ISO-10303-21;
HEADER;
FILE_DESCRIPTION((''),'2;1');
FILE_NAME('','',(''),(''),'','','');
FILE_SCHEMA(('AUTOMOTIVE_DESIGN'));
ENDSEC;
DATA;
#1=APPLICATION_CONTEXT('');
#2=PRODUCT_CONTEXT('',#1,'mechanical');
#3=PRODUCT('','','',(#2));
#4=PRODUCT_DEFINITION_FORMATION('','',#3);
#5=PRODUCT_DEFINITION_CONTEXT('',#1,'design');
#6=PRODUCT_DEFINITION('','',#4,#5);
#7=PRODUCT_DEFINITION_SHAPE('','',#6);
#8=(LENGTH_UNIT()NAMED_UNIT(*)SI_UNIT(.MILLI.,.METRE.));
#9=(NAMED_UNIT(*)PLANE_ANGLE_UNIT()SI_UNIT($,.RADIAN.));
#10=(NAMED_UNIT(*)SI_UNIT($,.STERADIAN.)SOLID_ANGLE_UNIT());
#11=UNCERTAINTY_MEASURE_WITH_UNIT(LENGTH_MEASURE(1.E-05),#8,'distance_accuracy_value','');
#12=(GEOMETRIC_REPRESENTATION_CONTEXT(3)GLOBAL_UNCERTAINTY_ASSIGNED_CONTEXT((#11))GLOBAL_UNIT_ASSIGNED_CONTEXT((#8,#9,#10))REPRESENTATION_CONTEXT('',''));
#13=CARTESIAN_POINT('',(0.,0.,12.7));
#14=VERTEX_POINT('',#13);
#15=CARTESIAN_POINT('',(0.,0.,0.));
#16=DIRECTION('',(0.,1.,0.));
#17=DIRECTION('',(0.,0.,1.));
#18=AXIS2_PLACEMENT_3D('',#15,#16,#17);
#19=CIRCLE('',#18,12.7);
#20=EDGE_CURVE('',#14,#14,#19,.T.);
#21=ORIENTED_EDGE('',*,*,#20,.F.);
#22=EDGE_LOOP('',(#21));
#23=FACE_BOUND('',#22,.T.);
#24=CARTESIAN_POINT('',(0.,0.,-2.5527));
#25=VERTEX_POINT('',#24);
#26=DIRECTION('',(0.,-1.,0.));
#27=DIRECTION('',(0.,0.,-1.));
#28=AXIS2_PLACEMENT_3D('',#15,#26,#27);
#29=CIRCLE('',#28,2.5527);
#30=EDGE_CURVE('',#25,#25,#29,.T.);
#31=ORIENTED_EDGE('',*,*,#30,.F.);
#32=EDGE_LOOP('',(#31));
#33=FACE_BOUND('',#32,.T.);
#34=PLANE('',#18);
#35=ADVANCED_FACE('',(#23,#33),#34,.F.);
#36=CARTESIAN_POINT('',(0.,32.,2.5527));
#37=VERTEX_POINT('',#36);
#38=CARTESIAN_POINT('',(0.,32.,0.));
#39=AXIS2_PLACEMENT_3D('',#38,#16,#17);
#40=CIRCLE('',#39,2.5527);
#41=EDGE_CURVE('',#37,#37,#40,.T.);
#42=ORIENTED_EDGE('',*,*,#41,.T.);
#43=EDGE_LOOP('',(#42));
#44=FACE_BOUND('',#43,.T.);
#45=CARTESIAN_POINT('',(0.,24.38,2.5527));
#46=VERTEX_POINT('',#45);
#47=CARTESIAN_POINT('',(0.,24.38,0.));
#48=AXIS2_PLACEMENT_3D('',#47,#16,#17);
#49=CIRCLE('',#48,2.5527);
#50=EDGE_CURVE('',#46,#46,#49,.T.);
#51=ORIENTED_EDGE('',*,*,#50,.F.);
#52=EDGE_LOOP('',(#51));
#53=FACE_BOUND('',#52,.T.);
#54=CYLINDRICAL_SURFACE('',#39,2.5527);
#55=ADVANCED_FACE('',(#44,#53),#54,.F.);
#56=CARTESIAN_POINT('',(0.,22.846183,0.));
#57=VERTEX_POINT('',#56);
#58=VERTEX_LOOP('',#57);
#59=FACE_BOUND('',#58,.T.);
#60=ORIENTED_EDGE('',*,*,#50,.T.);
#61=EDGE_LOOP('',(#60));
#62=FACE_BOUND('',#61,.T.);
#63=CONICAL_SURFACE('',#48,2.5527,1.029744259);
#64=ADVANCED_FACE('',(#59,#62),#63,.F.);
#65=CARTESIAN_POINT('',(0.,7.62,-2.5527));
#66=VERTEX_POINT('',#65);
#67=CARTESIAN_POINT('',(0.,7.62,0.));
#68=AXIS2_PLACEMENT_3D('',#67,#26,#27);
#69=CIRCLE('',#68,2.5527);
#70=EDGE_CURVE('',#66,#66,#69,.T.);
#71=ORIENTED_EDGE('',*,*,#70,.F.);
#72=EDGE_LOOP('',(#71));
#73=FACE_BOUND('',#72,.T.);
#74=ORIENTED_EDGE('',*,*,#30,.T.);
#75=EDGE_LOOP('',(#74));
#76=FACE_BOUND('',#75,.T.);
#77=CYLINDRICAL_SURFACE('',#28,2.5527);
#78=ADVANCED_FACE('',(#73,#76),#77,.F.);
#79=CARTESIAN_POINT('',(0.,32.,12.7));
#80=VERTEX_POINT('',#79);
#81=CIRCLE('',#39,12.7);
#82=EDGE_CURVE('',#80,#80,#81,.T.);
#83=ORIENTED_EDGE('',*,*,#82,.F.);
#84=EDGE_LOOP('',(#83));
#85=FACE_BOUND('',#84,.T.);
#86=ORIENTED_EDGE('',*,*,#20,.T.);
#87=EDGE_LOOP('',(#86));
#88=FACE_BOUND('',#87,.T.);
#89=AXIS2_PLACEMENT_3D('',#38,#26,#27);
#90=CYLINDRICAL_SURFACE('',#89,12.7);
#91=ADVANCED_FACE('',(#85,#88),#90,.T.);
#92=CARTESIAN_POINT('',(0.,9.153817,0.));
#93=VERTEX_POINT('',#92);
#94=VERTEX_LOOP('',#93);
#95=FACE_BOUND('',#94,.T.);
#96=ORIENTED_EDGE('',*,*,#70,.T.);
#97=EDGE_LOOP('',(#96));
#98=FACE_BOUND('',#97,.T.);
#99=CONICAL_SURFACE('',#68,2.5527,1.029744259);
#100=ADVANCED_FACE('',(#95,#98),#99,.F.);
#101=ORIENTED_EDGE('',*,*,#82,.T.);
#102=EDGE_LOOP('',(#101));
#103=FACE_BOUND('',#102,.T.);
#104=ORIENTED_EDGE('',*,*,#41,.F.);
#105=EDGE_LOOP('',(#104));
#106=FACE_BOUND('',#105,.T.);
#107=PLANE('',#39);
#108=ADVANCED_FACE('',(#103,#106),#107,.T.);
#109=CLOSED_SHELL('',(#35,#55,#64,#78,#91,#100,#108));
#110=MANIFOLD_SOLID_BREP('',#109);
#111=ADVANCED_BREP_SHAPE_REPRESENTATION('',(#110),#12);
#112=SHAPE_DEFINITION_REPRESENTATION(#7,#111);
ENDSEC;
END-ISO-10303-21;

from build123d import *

# Parameters (mm, degrees)
SKETCH1_R                       = 12.7
BOSS_EXTRUDE1_DEPTH             = 32
TAP_DRILL_FOR_1_4_20_TAP1_D     = 5.1054
TAP_DRILL_FOR_1_4_20_TAP1_DEPTH = 7.62
TAP_DRILL_FOR_1_4_20_TAP1_TIP   = 1.533816902
TAP_DRILL_FOR_1_4_20_TAP2_D     = 5.1054
TAP_DRILL_FOR_1_4_20_TAP2_DEPTH = 7.62
TAP_DRILL_FOR_1_4_20_TAP2_TIP   = 1.533816902


with BuildPart() as part:
    # Sketch1 → Boss-Extrude1 (new body)
    with BuildSketch(Plane(origin=(0, 0, 0), x_dir=(1, 0, 0), z_dir=(0, 1, 0))):
        with Locations(Location((0, 0, 0), (0, 0, 270))):
            Circle(SKETCH1_R)
    extrude(amount=BOSS_EXTRUDE1_DEPTH)

    # Tap Drill for 1/4-20 Tap1
    with Locations(Plane.XZ):
        with Locations((0, 0)):
            Hole(TAP_DRILL_FOR_1_4_20_TAP1_D / 2, depth=TAP_DRILL_FOR_1_4_20_TAP1_DEPTH)
            with Locations((0, 0, -(TAP_DRILL_FOR_1_4_20_TAP1_DEPTH + TAP_DRILL_FOR_1_4_20_TAP1_TIP / 2))):  # 118° drill point
                Cone(0, TAP_DRILL_FOR_1_4_20_TAP1_D / 2, TAP_DRILL_FOR_1_4_20_TAP1_TIP, mode=Mode.SUBTRACT)

    # Tap Drill for 1/4-20 Tap2
    with Locations(Plane(origin=(0, 32, 0), x_dir=(1, 0, 0), z_dir=(0, 1, 0))):
        with Locations((0, 0)):
            Hole(TAP_DRILL_FOR_1_4_20_TAP2_D / 2, depth=TAP_DRILL_FOR_1_4_20_TAP2_DEPTH)
            with Locations((0, 0, -(TAP_DRILL_FOR_1_4_20_TAP2_DEPTH + TAP_DRILL_FOR_1_4_20_TAP2_TIP / 2))):  # 118° drill point
                Cone(0, TAP_DRILL_FOR_1_4_20_TAP2_D / 2, TAP_DRILL_FOR_1_4_20_TAP2_TIP, mode=Mode.SUBTRACT)


solid = part.part
